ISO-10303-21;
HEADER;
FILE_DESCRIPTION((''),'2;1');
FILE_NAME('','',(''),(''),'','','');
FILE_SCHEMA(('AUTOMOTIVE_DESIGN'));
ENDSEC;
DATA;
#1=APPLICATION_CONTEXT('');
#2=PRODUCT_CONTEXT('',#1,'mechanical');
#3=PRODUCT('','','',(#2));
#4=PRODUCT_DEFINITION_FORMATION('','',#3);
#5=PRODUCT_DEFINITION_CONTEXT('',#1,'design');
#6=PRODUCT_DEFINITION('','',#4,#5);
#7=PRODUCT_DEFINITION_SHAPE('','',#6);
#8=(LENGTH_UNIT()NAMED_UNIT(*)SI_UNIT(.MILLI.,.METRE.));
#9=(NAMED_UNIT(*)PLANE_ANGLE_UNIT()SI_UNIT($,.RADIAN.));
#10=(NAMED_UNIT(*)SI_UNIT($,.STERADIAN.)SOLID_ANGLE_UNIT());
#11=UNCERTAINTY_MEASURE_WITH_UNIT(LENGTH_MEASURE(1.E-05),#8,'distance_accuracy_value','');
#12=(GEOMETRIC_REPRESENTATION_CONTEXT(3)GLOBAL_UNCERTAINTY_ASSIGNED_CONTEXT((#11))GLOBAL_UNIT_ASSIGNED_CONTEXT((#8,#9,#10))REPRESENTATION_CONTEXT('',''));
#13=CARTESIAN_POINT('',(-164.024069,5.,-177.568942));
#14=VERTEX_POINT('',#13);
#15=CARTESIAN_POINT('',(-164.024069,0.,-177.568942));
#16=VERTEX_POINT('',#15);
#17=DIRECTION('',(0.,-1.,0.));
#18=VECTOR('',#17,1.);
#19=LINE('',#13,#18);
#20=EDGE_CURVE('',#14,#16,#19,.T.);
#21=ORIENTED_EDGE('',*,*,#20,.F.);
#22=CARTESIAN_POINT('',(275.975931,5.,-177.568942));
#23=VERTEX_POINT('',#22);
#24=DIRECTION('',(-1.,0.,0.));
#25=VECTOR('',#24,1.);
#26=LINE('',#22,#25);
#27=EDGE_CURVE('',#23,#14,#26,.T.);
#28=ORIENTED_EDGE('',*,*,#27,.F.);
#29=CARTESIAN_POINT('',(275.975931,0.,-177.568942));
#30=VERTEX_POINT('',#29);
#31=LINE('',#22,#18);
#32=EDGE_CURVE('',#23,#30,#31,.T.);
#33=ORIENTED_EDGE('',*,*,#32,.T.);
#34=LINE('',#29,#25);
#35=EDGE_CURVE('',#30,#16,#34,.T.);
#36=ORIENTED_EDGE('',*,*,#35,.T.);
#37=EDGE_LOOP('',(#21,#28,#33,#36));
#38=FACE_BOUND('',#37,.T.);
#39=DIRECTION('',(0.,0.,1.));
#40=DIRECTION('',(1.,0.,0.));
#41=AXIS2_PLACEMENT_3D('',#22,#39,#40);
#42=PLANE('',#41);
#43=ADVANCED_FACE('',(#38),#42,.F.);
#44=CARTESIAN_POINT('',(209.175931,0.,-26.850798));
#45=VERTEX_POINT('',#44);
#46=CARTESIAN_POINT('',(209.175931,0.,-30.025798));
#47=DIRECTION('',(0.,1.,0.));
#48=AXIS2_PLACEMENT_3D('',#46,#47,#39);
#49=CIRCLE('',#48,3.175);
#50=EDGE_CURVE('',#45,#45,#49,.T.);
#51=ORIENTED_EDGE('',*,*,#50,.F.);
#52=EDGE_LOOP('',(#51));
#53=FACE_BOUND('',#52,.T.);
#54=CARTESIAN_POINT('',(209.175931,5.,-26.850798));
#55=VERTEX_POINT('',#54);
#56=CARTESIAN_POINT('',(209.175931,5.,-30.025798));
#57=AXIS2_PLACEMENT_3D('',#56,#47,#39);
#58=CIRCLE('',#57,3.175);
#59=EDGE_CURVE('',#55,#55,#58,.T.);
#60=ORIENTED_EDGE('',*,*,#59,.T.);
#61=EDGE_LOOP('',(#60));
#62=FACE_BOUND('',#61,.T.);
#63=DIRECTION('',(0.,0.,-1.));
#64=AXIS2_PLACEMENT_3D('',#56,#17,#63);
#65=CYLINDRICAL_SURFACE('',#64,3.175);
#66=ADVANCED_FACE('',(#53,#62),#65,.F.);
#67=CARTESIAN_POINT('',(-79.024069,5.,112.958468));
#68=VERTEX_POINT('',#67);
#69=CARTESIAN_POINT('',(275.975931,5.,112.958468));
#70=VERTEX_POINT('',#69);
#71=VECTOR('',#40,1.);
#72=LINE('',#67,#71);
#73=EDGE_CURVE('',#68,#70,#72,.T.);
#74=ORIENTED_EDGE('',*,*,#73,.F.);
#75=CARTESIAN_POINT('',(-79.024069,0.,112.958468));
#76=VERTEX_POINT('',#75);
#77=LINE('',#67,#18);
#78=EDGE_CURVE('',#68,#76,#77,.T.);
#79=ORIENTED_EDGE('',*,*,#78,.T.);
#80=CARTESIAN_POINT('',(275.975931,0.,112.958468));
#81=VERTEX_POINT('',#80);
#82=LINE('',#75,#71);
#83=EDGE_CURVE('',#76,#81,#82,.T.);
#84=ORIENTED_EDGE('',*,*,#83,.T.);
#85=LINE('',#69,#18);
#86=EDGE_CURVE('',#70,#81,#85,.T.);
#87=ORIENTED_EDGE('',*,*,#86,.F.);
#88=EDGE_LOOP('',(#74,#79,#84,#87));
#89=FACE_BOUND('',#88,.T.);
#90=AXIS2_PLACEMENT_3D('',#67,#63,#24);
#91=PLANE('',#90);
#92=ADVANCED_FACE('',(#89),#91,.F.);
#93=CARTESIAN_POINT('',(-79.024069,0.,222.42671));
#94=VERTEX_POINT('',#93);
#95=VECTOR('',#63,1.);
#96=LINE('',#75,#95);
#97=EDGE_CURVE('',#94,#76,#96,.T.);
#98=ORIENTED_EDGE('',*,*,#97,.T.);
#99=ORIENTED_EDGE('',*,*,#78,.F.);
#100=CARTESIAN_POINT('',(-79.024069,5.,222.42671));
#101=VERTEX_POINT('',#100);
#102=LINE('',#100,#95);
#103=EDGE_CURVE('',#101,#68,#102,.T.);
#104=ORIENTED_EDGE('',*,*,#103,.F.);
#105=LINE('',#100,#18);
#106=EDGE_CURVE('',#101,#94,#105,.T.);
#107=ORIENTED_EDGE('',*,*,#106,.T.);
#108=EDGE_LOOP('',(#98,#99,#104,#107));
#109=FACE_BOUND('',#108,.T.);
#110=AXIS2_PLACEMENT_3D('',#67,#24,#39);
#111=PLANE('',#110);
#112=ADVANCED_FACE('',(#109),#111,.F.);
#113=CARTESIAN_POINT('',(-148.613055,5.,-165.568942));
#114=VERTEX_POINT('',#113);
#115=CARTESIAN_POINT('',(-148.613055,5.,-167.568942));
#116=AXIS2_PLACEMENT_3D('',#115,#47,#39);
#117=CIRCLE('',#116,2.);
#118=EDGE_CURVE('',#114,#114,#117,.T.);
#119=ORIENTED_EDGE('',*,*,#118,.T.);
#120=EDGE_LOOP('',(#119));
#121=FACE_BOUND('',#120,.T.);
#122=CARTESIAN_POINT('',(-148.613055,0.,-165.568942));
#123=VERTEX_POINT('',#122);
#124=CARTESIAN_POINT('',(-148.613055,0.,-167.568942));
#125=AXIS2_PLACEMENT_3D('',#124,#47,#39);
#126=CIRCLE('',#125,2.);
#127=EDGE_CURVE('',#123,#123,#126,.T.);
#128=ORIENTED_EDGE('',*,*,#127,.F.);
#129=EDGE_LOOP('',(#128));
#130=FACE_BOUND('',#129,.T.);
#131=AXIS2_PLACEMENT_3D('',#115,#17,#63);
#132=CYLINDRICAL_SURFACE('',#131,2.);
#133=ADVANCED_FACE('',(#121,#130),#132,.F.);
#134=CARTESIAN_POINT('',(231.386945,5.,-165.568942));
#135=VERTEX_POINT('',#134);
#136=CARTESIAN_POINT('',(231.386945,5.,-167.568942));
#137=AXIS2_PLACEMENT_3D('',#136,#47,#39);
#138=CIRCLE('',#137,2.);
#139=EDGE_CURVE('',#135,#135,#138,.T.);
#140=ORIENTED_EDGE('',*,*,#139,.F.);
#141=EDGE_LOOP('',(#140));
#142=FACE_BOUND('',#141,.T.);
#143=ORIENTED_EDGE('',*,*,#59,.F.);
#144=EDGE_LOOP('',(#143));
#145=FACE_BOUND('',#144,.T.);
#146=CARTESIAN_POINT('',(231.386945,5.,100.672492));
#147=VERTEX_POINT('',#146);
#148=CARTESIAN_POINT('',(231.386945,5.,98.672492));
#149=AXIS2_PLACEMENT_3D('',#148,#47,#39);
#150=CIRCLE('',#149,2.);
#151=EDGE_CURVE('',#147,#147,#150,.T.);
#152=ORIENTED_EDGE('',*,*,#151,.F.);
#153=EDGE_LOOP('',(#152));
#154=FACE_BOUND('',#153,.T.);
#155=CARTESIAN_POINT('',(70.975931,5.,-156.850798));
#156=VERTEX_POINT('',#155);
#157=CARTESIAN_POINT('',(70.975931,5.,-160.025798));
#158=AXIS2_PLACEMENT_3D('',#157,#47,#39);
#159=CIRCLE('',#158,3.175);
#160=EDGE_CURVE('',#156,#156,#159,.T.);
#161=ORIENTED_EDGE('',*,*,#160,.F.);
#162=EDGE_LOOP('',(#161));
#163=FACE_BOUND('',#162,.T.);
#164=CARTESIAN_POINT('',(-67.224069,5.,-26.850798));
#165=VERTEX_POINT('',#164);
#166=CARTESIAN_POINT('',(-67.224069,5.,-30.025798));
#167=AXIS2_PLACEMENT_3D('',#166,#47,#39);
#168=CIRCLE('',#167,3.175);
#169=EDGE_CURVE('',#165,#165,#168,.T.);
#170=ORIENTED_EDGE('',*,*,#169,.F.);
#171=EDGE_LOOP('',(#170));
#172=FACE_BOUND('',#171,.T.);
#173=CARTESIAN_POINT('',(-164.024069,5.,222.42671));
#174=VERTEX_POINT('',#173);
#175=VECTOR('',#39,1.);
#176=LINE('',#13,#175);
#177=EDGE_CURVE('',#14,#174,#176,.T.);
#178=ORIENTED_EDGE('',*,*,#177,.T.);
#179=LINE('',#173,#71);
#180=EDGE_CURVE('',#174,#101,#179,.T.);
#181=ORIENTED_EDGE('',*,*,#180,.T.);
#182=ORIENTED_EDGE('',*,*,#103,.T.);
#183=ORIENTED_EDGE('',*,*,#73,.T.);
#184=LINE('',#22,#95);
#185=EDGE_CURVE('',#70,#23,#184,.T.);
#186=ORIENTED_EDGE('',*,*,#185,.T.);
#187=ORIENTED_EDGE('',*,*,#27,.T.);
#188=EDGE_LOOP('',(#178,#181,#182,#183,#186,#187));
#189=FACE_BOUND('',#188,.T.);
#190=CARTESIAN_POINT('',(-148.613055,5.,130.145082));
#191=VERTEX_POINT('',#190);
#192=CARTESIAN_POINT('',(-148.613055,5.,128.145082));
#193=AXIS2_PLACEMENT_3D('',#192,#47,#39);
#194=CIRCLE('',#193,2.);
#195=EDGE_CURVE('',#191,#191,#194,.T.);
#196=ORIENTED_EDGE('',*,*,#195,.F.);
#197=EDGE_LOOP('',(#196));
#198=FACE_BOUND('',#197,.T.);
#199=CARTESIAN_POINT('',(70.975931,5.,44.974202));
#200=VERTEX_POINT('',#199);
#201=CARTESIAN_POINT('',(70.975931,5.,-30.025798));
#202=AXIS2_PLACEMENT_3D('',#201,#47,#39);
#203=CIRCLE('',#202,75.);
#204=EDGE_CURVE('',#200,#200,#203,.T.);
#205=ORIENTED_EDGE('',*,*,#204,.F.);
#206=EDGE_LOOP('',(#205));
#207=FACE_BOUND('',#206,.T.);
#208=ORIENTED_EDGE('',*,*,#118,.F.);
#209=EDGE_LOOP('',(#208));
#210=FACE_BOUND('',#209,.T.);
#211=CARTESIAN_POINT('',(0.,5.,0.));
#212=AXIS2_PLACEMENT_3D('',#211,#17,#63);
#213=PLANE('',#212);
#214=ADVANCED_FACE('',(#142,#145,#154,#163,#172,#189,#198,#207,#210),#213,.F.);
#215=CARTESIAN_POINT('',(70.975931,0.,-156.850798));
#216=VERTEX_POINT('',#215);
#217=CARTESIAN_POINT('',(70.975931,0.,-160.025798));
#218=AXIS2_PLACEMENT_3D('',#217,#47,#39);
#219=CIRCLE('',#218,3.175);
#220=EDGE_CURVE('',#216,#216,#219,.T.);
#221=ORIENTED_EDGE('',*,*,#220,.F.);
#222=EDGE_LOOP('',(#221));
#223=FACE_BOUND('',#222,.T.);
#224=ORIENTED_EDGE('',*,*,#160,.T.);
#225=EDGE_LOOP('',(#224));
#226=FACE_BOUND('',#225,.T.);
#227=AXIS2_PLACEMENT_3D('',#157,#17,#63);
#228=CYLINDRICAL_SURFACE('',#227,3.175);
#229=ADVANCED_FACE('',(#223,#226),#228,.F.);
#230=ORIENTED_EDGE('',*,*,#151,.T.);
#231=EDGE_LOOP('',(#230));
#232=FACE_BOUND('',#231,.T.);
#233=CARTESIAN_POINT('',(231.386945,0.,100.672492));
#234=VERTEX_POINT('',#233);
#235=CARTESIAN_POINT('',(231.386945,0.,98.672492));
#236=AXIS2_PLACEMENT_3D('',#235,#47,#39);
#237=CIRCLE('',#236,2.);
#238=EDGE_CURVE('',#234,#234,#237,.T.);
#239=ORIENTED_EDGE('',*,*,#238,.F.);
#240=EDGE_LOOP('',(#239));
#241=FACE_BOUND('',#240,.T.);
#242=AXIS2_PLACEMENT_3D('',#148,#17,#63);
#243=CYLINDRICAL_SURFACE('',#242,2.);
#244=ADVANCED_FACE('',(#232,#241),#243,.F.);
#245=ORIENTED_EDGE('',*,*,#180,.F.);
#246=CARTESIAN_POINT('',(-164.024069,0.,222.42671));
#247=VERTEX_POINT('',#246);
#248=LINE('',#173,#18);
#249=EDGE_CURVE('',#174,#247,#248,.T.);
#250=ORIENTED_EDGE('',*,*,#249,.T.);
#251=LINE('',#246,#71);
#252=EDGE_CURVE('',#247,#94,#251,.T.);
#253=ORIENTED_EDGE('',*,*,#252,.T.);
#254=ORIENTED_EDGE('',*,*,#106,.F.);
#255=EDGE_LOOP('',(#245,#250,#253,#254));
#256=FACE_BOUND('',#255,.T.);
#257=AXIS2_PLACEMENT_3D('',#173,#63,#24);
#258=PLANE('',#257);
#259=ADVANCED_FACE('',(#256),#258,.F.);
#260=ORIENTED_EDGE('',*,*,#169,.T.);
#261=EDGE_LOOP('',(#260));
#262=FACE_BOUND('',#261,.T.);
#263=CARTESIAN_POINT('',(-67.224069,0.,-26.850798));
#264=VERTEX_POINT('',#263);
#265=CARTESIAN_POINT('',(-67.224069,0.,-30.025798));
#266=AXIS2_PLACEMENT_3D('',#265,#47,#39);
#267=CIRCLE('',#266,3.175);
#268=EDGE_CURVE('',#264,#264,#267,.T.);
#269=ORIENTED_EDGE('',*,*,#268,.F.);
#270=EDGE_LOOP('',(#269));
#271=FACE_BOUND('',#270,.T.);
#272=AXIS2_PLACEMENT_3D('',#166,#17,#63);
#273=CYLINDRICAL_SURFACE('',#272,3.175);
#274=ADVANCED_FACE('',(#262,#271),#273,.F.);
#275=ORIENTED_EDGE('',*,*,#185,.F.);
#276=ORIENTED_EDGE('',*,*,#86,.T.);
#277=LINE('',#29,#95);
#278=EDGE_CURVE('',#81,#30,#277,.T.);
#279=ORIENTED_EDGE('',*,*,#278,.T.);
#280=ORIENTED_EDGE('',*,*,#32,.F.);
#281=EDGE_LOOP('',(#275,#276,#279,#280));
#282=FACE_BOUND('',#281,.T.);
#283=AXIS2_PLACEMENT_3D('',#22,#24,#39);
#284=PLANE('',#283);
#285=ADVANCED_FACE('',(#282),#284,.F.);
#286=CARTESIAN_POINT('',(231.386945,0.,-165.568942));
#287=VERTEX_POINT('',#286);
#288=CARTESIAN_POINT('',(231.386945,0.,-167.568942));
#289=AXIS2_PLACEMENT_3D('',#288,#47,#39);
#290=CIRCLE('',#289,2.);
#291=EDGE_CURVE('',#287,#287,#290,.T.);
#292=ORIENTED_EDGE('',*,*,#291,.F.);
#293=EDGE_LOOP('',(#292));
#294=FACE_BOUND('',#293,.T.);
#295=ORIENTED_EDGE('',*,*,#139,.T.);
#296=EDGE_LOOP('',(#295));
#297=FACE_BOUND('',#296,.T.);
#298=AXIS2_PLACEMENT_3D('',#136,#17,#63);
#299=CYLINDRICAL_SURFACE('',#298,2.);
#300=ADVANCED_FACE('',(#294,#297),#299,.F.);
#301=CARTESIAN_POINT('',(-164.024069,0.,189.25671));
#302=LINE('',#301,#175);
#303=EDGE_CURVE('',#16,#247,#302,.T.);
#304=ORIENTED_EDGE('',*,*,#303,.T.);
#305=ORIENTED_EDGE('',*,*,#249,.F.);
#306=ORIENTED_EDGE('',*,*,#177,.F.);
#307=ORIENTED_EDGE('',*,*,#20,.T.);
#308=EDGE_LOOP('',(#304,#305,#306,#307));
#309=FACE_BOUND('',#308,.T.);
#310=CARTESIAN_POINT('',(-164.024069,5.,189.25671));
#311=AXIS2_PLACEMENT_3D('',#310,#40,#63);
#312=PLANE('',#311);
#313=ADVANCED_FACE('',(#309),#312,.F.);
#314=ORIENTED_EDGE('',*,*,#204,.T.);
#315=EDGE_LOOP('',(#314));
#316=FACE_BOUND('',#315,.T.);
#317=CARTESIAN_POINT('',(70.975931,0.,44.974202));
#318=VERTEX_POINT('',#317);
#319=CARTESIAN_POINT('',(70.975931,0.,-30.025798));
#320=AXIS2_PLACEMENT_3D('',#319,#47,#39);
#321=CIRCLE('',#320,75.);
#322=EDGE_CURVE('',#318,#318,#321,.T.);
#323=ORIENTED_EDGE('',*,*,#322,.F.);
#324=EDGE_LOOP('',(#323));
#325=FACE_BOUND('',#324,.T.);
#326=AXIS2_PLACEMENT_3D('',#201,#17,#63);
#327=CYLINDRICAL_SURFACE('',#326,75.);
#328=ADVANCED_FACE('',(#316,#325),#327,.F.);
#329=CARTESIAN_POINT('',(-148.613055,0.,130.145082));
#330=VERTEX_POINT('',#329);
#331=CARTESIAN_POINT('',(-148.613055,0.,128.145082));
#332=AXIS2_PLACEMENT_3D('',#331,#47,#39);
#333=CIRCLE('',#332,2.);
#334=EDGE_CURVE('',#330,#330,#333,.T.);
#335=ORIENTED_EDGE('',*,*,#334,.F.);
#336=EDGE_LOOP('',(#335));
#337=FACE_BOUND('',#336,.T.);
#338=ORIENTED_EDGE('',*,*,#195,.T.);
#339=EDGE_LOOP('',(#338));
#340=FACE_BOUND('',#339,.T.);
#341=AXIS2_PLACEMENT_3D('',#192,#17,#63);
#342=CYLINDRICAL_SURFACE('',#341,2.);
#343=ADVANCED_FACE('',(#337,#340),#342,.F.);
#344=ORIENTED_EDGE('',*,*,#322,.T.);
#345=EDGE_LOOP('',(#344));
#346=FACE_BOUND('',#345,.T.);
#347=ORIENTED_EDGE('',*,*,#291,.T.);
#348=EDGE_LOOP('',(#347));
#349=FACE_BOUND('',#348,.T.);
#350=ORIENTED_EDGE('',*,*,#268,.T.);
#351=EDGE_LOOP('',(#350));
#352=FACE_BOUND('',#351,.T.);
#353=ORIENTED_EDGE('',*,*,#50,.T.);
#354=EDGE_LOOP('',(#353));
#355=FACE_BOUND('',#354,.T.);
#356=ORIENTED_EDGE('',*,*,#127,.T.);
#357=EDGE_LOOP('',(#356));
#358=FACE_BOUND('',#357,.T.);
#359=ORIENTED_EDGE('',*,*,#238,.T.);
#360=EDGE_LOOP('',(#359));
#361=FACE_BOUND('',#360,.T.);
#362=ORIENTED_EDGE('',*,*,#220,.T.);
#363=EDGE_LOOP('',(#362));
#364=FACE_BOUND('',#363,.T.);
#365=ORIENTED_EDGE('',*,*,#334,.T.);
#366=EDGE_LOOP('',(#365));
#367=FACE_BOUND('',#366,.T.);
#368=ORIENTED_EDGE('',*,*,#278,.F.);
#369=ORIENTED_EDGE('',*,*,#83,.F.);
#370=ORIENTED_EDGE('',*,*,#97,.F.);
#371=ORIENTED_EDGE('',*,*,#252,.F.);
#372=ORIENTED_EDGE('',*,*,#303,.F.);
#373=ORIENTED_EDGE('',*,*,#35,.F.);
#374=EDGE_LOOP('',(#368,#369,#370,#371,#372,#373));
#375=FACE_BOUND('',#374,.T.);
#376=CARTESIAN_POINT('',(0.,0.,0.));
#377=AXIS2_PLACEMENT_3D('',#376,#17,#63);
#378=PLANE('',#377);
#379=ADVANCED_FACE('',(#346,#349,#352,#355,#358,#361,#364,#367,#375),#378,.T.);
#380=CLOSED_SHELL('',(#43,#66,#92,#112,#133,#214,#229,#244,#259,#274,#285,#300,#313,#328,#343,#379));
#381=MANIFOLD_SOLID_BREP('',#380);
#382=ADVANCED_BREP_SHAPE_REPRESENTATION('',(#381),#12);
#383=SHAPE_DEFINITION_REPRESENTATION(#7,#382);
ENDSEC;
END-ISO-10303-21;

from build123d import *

# Parameters (mm, degrees)
CROQUIS2_R              = 75
CROQUIS2_R_2            = 2
CROQUIS2_R_3            = 3.175
SALIENTE_EXTRUIR2_DEPTH = 5


with BuildPart() as part:
    # Croquis2 → Saliente-Extruir2 (new body)
    with BuildSketch(Plane(origin=(0, 0, 0), x_dir=(1, 0, 0), z_dir=(0, 1, 0))):
        Polygon((-164.024069274, 177.568942162), (-164.024069274, -142.431057838), (-164.024069274, -189.256710106), (-164.024069274, -222.426710106), (-79.024069274, -222.426710106), (-79.024069274, -189.256710106), (-79.024069274, -142.431057838), (-79.024069274, -112.958468136), (275.975930726, -112.958468136), (275.975930726, 177.568942162), align=None)
        with Locations(Location((70.975930726, 30.02579809, 0), (0, 0, 270))):
            Circle(CROQUIS2_R, mode=Mode.SUBTRACT)
        with Locations(Location((-148.613055051, 167.568942162, 0), (0, 0, 270))):
            Circle(CROQUIS2_R_2, mode=Mode.SUBTRACT)
        with Locations(Location((-148.613055051, -128.145081947, 0), (0, 0, 270))):
            Circle(CROQUIS2_R_2, mode=Mode.SUBTRACT)
        with Locations(Location((231.386944949, -98.672492245, 0), (0, 0, 270))):
            Circle(CROQUIS2_R_2, mode=Mode.SUBTRACT)
        with Locations(Location((231.386944949, 167.568942162, 0), (0, 0, 270))):
            Circle(CROQUIS2_R_2, mode=Mode.SUBTRACT)
        with Locations(Location((209.175930726, 30.02579809, 0), (0, 0, 270))):
            Circle(CROQUIS2_R_3, mode=Mode.SUBTRACT)
        with Locations(Location((-67.224069274, 30.02579809, 0), (0, 0, 270))):
            Circle(CROQUIS2_R_3, mode=Mode.SUBTRACT)
        with Locations(Location((70.975930726, 160.02579809, 0), (0, 0, 270))):
            Circle(CROQUIS2_R_3, mode=Mode.SUBTRACT)
    extrude(amount=SALIENTE_EXTRUIR2_DEPTH)


solid = part.part
